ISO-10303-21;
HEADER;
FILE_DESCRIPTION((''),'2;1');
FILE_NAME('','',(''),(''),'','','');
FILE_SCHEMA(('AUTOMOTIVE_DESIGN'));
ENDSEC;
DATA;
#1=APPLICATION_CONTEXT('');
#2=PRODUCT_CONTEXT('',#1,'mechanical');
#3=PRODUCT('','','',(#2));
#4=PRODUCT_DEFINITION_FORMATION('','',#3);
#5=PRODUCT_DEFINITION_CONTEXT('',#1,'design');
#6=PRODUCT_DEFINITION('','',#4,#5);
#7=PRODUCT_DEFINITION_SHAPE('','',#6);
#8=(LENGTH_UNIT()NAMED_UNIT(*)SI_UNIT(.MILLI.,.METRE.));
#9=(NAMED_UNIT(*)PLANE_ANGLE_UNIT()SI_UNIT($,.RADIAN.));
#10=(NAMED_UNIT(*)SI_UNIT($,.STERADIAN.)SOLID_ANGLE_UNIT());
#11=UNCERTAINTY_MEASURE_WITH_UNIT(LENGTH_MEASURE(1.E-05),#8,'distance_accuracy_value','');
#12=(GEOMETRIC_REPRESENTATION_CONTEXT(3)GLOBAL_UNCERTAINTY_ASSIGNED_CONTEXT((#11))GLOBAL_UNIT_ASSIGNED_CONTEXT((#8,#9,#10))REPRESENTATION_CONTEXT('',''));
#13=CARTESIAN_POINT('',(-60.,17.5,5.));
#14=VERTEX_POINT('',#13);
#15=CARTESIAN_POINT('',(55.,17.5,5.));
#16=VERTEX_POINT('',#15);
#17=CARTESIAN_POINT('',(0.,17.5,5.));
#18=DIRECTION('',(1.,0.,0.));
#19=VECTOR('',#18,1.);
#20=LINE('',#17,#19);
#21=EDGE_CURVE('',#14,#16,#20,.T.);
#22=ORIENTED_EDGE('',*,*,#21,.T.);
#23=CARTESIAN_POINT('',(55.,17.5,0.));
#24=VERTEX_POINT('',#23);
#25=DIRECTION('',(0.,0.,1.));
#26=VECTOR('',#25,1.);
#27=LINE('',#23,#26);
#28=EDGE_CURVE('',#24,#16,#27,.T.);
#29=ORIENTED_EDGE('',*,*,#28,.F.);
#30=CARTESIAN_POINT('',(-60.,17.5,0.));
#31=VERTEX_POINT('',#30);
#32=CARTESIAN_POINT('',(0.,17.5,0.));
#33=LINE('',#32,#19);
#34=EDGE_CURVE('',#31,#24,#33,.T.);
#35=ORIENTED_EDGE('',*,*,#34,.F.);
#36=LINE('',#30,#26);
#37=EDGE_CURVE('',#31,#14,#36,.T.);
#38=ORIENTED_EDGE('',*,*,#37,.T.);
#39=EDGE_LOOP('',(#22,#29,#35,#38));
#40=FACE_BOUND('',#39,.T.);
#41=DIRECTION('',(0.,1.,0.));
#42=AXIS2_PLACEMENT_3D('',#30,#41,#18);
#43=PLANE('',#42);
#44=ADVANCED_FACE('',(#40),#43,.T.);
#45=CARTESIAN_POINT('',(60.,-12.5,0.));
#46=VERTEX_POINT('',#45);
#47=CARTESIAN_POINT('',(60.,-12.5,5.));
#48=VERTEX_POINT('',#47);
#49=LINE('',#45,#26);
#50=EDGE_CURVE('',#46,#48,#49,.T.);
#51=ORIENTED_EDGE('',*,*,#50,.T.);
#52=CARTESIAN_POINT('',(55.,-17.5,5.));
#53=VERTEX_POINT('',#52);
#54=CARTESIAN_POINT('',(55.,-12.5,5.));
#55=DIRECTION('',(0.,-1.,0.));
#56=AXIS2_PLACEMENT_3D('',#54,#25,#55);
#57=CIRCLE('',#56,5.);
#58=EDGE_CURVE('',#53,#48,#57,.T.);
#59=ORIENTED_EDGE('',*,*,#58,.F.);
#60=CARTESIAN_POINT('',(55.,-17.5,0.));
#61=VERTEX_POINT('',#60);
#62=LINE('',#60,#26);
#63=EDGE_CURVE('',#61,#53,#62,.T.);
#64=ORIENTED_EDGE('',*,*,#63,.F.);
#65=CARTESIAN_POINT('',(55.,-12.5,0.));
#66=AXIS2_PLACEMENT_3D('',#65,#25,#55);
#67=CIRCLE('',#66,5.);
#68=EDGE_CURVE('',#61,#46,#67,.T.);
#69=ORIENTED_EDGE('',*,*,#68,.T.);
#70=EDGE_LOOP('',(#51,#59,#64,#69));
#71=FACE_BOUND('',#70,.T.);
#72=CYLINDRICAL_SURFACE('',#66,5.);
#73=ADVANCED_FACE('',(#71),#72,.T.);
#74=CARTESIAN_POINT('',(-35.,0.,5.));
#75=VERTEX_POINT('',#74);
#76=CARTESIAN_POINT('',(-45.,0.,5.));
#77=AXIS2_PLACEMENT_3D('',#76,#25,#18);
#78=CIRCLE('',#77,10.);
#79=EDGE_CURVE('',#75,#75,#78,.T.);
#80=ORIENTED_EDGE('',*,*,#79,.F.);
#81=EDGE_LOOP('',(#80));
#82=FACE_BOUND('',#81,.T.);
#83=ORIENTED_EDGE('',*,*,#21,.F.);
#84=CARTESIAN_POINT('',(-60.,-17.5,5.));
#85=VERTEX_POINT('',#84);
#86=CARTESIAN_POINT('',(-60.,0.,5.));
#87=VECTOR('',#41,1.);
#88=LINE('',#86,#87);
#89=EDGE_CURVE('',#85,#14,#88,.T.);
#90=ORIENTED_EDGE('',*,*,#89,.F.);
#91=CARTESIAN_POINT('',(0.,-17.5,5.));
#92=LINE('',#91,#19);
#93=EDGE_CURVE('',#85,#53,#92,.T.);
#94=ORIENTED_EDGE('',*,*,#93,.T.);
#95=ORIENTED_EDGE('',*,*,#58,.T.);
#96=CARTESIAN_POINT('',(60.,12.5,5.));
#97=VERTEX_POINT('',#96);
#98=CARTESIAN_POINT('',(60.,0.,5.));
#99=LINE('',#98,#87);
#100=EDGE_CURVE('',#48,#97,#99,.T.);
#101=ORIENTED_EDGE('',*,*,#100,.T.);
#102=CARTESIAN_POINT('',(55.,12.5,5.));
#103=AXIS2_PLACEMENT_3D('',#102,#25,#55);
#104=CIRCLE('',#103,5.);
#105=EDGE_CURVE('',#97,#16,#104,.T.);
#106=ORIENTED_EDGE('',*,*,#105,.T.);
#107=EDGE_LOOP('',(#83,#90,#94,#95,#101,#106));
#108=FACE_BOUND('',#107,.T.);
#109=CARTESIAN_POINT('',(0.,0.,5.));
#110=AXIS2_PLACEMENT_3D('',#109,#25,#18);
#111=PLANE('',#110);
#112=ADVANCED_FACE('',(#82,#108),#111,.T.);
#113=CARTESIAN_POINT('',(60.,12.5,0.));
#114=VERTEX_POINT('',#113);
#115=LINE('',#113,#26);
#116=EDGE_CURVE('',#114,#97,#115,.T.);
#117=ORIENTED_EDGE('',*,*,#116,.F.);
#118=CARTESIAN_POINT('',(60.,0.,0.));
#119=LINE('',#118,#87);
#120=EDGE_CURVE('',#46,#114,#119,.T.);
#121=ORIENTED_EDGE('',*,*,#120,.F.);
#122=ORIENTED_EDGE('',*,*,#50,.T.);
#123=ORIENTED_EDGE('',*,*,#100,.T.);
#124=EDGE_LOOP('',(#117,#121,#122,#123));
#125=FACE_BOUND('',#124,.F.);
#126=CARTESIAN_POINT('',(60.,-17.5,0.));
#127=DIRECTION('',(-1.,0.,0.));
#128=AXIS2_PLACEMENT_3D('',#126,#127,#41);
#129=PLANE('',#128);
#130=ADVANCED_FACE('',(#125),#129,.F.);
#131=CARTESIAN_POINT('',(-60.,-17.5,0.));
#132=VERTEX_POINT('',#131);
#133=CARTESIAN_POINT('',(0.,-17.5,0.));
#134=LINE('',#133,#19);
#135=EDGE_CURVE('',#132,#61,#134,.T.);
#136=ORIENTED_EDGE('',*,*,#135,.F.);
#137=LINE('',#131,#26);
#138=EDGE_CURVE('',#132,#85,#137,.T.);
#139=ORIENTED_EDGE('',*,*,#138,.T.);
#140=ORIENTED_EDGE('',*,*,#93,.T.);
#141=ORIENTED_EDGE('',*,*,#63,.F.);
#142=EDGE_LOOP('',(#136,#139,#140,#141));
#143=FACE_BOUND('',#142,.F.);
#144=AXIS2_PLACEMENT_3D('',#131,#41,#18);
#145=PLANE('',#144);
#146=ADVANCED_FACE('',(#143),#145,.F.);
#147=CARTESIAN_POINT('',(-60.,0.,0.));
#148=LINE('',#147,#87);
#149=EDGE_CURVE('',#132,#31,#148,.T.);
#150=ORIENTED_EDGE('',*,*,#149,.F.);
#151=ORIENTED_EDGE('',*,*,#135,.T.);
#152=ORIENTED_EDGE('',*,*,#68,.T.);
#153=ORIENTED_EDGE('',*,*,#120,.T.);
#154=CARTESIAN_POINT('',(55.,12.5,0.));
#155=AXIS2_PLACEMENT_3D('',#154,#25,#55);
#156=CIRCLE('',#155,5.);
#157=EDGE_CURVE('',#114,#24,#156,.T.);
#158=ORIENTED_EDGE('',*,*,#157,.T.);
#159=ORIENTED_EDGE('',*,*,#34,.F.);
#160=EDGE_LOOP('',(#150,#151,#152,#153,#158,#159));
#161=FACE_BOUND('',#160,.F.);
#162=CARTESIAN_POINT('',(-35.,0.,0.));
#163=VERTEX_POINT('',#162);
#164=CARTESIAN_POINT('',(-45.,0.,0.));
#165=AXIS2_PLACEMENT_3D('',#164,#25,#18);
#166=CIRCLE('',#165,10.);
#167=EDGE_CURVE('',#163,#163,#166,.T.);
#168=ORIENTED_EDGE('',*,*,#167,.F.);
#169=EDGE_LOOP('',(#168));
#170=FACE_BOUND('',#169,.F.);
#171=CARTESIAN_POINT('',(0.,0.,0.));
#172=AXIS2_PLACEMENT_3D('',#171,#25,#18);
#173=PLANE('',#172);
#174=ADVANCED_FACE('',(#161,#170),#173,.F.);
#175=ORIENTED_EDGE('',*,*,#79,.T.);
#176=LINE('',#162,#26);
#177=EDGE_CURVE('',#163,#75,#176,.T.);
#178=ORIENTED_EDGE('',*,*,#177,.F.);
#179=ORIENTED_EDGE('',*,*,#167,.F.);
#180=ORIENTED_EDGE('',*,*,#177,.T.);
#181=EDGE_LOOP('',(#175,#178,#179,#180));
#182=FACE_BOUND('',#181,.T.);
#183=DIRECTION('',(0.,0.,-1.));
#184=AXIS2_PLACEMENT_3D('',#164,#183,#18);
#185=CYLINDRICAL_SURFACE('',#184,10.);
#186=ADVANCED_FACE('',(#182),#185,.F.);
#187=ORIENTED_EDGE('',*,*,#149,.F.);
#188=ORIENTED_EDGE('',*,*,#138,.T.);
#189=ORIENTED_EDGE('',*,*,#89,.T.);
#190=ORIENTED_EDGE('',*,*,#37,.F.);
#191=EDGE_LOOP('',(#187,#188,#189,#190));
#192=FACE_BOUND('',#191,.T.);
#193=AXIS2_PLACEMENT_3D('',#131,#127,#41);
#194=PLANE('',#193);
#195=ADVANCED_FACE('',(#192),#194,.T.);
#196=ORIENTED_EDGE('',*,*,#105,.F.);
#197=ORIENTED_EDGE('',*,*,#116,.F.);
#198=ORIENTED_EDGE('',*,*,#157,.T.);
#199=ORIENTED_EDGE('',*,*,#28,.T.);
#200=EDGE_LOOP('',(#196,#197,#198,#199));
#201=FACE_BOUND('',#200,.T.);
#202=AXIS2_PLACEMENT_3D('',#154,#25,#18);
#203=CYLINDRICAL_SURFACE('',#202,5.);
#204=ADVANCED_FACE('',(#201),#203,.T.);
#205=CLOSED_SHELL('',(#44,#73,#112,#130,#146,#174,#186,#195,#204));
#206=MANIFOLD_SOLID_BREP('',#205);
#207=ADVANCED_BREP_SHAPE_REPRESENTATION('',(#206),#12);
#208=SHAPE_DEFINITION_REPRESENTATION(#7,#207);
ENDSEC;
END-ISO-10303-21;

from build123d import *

# Parameters (mm, degrees)
F0_W     = 120
F0_H     = 35
F0_R     = 10
F1_DEPTH = 5
F2_R     = 5
F3_R     = 5


with BuildPart() as f1:
    # F0 (on Top) → F1 (new body)
    with BuildSketch(Plane.XY):
        Rectangle(F0_W, F0_H)
        with Locations((-45, 0)):
            Circle(F0_R, mode=Mode.SUBTRACT)
    extrude(amount=F1_DEPTH)

    # F2
    f2_edges = [f1.edges().sort_by_distance(p)[0] for p in [
        (60, -17.5, 2.5),
    ]]
    fillet(f2_edges, radius=F2_R)

    # F3
    f3_edges = [f1.edges().sort_by_distance(p)[0] for p in [
        (60, 17.5, 2.5),
    ]]
    fillet(f3_edges, radius=F3_R)


solid = f1.part
